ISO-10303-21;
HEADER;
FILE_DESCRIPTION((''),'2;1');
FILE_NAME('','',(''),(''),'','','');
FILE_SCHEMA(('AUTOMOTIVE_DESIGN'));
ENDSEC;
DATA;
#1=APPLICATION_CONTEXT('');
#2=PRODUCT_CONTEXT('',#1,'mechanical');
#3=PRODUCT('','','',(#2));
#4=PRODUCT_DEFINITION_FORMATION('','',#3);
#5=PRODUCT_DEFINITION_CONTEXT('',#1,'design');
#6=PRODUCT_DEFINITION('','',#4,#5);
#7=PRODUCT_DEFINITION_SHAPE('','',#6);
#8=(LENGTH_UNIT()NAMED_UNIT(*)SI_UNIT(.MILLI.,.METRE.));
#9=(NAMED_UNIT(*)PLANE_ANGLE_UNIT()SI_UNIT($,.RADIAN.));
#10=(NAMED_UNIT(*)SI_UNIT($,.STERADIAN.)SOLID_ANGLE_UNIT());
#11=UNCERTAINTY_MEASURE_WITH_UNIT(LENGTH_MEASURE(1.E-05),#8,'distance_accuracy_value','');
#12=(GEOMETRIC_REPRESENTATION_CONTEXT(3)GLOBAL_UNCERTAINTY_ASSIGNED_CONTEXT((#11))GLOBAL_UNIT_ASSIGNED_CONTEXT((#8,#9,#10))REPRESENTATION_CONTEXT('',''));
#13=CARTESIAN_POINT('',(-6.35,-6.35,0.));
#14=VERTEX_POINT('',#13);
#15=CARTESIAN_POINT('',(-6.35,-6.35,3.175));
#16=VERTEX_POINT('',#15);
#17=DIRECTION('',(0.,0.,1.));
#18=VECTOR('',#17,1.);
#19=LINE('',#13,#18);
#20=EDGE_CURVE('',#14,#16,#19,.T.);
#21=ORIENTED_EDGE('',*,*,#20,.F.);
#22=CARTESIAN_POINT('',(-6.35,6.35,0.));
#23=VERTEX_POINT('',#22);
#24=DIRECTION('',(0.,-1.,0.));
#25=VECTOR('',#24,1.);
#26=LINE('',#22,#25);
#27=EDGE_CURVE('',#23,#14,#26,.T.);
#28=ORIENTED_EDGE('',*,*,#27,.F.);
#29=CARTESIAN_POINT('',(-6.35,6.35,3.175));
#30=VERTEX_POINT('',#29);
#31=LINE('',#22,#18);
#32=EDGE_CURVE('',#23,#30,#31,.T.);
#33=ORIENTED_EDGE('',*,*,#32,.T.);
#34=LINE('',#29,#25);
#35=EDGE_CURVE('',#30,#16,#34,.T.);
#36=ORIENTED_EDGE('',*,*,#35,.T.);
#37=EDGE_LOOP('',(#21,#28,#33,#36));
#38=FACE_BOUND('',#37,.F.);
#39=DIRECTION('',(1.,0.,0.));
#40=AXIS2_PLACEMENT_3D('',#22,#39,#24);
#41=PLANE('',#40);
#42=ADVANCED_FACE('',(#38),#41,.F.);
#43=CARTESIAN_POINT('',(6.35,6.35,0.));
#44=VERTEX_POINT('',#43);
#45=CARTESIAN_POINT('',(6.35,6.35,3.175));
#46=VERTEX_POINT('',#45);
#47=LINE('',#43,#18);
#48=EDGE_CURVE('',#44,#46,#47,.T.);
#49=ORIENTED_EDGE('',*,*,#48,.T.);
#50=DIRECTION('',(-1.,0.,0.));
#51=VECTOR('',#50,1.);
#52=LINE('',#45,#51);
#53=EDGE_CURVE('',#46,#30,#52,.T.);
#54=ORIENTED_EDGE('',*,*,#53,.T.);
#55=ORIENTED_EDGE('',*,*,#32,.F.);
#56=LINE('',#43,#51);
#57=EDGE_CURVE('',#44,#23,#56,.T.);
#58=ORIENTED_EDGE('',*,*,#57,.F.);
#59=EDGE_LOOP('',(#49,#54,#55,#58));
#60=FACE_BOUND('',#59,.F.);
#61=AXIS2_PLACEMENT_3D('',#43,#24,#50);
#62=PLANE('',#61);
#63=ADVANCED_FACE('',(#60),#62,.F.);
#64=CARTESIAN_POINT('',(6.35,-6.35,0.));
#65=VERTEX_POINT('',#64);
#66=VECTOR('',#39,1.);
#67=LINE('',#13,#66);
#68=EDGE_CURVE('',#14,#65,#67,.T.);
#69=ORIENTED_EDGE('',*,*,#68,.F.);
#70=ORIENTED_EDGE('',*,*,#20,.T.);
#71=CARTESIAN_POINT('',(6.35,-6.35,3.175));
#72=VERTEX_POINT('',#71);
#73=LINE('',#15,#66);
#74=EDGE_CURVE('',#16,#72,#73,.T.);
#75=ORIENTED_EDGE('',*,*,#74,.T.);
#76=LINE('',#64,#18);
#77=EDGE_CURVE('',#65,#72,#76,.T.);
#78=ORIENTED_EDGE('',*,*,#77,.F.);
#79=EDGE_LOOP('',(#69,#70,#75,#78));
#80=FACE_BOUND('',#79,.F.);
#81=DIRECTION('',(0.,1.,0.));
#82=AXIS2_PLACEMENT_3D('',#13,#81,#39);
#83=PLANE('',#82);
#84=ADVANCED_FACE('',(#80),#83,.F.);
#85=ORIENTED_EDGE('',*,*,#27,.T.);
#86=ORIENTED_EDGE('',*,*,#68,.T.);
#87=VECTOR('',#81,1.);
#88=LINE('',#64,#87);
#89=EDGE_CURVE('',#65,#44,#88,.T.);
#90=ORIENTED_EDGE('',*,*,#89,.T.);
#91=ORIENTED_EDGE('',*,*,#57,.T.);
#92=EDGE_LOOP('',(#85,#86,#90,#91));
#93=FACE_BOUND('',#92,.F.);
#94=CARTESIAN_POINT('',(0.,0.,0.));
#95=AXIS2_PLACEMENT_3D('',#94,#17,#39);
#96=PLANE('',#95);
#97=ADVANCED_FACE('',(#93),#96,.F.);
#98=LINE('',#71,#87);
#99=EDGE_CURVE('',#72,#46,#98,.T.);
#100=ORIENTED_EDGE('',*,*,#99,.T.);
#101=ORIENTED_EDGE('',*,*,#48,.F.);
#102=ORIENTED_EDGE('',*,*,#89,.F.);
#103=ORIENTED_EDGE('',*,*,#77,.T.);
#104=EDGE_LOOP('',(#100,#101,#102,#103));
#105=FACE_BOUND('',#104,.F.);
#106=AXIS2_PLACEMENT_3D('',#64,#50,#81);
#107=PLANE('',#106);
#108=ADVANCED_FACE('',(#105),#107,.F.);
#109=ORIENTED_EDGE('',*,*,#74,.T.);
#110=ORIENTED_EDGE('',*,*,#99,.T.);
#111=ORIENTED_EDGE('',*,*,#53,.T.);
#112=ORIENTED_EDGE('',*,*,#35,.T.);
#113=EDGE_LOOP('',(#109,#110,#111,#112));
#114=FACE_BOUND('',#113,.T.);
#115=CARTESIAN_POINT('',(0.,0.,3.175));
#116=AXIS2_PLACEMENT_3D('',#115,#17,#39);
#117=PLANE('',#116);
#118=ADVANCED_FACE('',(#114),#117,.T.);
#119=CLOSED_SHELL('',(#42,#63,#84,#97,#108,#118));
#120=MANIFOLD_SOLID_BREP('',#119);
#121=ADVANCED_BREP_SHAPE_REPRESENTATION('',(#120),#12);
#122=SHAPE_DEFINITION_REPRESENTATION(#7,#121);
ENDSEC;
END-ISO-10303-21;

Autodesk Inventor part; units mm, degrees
ref_plane "YZ Plane" through (0, 0, 0) normal (1, 0, 0) x (0, 1, 0)
ref_plane "XZ Plane" through (0, 0, 0) normal (0, 1, 0) x (-1, 0, 0)
ref_plane "XY Plane" through (0, 0, 0) normal (0, 0, 1) x (1, 0, 0)
sketch "Sketch1" plane through (0, 0, 0) normal (0, 0, 1) x (1, 0, 0)
  line L0 (6.35, 6.35) -> (-6.35, 6.35)
  line L1 (-6.35, 6.35) -> (-6.35, -6.35)
  line L2 (-6.35, -6.35) -> (6.35, -6.35)
  line L3 (6.35, -6.35) -> (6.35, 6.35)
  line L4 (6.35, 6.35) -> (-6.35, -6.35) construction
  line L5 (-6.35, 6.35) -> (6.35, -6.35) construction
  point P0 (0, 0)
  dimension "d0" = 12.7
  dimension "d1" = 12.7
extrude "Extrusion1" add sketch "Sketch1" along normal blind 3.175
properties part number "PlaceholderPart"
